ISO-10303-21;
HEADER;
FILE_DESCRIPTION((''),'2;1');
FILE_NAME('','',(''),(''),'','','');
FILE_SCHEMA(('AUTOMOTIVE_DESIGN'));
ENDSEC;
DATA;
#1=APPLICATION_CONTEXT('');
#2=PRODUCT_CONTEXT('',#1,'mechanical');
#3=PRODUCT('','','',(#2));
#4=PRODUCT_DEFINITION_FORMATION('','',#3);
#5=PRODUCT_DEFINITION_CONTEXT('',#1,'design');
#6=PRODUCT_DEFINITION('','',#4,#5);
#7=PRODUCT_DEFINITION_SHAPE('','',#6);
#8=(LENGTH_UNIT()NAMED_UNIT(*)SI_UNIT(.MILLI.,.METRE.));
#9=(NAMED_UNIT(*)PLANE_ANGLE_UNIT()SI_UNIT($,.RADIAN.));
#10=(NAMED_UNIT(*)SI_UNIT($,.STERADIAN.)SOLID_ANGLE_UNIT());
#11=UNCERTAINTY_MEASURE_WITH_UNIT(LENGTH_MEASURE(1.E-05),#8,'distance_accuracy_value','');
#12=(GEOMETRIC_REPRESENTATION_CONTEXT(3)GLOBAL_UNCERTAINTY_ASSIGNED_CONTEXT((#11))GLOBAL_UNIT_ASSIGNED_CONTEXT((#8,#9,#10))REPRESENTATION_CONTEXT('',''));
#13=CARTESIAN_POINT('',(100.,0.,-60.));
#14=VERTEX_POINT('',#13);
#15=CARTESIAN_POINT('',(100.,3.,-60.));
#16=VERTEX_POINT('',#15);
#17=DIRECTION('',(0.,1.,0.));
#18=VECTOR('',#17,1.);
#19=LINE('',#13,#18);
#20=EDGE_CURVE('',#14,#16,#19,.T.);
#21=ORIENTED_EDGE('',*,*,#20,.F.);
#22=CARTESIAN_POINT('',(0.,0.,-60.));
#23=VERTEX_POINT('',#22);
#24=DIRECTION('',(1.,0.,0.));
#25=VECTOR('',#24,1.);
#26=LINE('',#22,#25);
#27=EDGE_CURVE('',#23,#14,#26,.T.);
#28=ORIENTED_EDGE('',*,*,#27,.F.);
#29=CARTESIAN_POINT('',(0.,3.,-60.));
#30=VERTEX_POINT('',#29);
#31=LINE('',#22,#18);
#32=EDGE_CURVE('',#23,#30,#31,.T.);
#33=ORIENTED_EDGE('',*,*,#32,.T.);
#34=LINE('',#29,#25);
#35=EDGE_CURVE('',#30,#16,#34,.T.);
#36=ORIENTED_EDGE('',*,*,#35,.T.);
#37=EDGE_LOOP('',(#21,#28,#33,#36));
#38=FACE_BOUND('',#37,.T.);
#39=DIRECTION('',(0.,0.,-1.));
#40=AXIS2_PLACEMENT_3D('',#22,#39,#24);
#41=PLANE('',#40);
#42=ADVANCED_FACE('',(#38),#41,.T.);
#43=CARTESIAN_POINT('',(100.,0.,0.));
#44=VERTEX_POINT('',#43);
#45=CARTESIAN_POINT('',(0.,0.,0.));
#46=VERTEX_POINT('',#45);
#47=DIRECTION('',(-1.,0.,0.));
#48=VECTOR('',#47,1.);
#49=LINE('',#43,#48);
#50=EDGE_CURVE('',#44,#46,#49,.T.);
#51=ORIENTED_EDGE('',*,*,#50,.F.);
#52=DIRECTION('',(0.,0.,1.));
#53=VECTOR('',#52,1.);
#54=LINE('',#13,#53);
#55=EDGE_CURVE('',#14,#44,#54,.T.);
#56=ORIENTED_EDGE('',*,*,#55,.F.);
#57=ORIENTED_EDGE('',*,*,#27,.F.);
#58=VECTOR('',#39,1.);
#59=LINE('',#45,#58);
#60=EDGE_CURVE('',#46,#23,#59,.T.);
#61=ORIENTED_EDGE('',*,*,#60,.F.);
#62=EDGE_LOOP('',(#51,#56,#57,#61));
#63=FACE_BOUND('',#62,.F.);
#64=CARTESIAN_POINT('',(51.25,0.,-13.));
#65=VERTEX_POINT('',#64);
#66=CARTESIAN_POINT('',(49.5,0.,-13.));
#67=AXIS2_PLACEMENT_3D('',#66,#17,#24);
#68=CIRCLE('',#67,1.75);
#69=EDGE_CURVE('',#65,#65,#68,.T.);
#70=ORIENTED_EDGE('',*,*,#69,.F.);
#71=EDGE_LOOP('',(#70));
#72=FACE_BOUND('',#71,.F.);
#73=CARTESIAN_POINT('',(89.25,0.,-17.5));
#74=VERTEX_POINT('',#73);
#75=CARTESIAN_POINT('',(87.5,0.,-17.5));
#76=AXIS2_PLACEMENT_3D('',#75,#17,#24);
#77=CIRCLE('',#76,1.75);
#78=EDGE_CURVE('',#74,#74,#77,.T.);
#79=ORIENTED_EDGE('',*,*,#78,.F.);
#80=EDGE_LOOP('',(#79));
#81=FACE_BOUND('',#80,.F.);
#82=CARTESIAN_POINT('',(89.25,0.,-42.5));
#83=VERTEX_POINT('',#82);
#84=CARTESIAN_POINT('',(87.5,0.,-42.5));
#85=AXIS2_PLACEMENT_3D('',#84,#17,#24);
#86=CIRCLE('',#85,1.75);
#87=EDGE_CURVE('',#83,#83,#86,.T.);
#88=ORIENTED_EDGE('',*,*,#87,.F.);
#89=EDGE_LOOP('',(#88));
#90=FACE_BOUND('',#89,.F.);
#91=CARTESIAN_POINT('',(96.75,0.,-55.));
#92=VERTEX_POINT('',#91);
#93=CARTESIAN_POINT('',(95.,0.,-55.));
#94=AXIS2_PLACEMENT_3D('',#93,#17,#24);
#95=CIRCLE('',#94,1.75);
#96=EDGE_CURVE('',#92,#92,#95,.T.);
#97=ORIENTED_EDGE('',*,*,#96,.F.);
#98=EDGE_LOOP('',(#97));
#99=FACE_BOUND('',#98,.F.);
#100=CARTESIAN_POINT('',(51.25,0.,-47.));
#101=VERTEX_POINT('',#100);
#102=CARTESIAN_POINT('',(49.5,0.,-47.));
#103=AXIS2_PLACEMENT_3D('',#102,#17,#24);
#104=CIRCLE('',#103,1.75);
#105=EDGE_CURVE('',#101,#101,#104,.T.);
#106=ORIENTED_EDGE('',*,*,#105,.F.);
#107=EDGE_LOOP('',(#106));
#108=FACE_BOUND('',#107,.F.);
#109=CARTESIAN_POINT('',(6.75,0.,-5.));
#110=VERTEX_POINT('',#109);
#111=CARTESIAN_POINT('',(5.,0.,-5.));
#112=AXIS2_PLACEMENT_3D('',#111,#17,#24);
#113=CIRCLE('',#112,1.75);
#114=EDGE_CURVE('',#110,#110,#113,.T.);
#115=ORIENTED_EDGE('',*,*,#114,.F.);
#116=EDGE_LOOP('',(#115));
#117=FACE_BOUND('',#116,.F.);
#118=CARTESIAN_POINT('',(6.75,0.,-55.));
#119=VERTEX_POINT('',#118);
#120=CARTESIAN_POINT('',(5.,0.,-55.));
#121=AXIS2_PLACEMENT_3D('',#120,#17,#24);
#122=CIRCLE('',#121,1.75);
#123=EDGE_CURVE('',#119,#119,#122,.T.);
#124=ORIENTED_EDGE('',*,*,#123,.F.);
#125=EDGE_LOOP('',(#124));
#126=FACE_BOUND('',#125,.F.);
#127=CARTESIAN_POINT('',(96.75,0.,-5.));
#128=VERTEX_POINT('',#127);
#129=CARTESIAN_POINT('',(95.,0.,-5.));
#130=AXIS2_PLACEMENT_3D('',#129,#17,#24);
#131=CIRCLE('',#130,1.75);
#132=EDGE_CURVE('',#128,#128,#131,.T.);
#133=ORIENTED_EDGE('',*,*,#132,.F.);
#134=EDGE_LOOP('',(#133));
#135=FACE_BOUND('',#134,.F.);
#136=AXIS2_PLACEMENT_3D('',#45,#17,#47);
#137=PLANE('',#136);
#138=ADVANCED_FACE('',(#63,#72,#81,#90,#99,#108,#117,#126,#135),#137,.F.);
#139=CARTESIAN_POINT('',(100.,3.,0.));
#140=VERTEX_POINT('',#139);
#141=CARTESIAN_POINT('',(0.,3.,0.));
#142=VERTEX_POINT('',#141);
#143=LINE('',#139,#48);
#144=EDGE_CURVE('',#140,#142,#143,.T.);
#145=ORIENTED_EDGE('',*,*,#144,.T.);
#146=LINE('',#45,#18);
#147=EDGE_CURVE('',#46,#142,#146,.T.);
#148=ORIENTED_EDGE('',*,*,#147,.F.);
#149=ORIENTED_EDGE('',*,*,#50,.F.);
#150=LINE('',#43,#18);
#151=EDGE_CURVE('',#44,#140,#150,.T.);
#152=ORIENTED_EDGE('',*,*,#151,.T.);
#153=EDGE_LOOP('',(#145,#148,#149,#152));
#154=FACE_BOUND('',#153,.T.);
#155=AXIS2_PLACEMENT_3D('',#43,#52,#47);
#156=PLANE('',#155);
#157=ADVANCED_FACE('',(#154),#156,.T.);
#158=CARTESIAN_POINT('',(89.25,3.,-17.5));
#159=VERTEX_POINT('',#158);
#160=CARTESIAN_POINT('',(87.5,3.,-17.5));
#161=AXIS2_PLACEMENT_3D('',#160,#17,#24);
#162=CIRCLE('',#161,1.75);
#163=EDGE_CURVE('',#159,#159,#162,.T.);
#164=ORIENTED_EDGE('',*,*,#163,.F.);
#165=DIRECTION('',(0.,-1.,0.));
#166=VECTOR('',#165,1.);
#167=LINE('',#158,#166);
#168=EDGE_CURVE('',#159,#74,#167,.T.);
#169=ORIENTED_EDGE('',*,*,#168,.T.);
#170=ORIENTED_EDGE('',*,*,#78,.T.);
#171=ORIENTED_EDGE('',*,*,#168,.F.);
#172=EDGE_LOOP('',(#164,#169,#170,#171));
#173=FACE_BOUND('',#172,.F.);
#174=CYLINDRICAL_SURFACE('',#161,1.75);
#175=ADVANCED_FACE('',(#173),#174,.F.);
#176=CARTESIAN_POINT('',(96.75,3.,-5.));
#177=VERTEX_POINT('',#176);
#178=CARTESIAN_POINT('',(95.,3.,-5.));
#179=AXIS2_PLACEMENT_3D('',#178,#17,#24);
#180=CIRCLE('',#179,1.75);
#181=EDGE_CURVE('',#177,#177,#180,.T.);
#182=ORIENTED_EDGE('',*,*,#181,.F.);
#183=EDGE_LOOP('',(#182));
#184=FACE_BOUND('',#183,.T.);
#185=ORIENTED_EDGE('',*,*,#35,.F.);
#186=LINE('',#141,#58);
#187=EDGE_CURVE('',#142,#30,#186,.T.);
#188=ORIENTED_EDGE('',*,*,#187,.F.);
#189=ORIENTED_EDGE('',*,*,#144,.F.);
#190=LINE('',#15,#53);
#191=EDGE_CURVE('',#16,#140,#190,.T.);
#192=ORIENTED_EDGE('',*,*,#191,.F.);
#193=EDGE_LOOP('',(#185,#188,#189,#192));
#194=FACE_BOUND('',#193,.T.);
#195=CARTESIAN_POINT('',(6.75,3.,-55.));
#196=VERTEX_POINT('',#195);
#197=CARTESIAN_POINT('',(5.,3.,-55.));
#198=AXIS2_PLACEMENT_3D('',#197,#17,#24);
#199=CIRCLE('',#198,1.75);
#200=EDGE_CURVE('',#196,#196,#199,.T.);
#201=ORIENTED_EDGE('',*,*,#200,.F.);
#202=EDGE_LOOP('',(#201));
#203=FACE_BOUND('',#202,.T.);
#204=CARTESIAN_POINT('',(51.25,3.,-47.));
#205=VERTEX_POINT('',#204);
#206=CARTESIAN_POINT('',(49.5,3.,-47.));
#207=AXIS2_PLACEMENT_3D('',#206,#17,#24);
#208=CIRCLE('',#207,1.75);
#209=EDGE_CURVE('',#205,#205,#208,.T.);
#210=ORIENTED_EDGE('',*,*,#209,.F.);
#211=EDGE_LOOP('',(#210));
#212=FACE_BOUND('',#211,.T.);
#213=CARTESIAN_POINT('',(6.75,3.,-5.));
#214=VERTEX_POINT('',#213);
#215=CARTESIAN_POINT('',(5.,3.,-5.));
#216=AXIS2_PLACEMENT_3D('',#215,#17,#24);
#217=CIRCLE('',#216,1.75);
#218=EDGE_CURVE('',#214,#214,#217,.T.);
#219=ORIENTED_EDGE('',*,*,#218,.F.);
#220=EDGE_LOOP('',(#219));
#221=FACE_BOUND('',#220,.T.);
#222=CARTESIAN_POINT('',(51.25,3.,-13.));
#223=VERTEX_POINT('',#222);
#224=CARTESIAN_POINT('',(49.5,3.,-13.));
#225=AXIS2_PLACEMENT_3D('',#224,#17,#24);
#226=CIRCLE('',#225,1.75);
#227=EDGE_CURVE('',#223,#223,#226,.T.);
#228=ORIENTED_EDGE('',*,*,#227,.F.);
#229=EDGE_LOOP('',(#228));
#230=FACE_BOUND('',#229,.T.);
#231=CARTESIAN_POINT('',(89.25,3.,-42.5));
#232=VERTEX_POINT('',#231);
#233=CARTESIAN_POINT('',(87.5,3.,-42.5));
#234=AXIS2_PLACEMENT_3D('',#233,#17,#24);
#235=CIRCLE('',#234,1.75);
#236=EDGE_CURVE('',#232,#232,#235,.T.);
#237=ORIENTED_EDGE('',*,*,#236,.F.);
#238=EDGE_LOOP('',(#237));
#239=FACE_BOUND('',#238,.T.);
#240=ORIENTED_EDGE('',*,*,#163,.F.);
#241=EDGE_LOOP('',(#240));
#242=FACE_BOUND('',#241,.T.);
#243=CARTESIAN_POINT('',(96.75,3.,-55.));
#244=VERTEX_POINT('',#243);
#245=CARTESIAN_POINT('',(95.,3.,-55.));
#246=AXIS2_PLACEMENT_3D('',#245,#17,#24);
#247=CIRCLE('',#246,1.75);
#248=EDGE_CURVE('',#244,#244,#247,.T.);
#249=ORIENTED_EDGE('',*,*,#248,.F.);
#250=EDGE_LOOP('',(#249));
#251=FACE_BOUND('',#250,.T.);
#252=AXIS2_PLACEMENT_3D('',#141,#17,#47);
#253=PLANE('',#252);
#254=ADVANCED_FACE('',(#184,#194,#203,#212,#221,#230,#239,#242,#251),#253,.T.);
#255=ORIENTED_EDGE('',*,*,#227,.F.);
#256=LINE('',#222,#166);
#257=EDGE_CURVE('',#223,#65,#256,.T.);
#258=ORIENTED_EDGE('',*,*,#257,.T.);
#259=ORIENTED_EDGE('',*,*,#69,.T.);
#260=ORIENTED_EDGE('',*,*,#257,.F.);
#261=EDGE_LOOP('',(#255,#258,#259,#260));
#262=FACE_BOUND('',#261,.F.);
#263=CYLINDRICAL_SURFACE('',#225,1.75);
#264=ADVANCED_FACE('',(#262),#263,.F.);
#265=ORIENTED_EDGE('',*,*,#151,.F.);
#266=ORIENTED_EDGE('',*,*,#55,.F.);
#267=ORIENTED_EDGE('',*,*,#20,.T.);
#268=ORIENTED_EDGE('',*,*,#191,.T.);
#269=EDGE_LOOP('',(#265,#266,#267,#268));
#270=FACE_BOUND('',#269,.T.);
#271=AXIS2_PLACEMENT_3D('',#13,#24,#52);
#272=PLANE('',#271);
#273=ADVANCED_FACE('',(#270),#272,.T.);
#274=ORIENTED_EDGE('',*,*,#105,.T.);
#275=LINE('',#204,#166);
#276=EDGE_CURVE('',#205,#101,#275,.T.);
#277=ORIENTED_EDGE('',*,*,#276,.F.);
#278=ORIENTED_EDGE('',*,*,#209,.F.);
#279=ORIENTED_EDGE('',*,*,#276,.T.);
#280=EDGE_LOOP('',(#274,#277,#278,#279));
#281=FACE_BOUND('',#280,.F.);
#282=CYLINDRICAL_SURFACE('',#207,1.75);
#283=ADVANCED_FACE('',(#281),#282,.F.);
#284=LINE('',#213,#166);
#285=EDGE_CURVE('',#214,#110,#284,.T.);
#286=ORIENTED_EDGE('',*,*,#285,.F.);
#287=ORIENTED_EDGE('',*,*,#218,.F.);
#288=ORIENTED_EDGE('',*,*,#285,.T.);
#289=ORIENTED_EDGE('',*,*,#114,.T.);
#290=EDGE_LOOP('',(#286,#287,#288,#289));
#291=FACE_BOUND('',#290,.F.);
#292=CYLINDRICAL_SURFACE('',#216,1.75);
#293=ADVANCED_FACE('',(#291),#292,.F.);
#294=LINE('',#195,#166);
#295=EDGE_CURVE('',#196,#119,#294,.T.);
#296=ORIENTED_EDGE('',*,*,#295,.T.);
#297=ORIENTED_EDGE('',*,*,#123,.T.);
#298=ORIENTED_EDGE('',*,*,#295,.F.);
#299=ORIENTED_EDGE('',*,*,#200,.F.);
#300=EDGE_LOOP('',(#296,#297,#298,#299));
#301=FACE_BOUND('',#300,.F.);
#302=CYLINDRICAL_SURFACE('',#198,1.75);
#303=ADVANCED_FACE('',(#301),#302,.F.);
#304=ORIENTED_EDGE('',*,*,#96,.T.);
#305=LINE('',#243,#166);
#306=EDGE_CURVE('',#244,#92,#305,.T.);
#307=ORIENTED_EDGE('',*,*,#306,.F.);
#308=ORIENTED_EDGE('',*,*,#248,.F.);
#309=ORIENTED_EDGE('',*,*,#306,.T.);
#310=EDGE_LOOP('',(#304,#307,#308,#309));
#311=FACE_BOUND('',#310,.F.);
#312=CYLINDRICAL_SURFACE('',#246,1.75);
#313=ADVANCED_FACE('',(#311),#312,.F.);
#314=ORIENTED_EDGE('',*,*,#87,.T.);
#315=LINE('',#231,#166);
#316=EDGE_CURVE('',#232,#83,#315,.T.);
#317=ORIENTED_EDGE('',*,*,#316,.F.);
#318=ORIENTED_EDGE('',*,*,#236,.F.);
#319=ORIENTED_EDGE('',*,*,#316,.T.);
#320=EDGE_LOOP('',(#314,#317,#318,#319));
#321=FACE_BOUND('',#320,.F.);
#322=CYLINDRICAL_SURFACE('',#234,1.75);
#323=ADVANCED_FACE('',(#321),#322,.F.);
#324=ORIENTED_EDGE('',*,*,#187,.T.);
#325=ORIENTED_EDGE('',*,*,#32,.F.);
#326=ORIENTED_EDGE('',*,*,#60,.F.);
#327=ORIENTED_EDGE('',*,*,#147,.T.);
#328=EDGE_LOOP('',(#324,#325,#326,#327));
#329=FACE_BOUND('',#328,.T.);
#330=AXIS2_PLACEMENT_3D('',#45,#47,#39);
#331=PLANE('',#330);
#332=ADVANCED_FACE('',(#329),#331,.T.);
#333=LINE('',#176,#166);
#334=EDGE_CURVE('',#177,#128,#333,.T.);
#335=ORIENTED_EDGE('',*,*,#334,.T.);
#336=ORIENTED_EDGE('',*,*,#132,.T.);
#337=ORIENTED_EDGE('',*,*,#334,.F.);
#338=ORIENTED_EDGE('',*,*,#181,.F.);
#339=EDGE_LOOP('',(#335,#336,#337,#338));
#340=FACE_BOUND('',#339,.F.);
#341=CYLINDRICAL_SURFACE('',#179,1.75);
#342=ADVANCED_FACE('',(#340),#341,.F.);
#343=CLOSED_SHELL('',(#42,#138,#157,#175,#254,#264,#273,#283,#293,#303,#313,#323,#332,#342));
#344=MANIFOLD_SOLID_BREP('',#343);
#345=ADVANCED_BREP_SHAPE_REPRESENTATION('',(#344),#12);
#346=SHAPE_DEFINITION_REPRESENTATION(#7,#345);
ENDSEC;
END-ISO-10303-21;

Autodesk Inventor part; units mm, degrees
ref_plane "YZ Plane" through (0, 0, 0) normal (1, 0, 0) x (0, 1, 0)
ref_plane "XZ Plane" through (0, 0, 0) normal (0, 1, 0) x (-1, 0, 0)
ref_plane "XY Plane" through (0, 0, 0) normal (0, 0, 1) x (1, 0, 0)
sketch "Sketch1" plane through (0, 0, 0) normal (0, 1, 0) x (-1, 0, 0)
  line L0 (0, -60) -> (-100, -60)
  line L1 (-100, -60) -> (-100, 0)
  line L2 (-100, 0) -> (0, 0)
  line L3 (0, 0) -> (0, -60)
  dimension "d0" = 100
  dimension "d1" = 60
extrude "Extrusion1" add sketch "Sketch1" along normal blind 3
sketch "Sketch2" plane through (0, 3, 0) normal (0, 1, 0) x (1, 0, 0)
  circle A0 centre (5, 55) radius 1.75
  line L0 (100, 60) -> (0, 60) projected
  line L1 (0, 60) -> (0, 0) projected
  circle A1 centre (95, 55) radius 1.75
  circle A2 centre (5, 5) radius 1.75
  circle A3 centre (95, 5) radius 1.75
  circle A4 centre (87.5, 42.5) radius 1.75
  circle A5 centre (87.5, 17.5) radius 1.75
  line L2 (100, 0) -> (100, 60) projected
  circle A6 centre (49.5, 47) radius 1.75
  circle A7 centre (49.5, 13) radius 1.75
  dimension "d4" = 3.5
  dimension "d5" = 5
  dimension "d6" = 5
  dimension "d9" = 90
  dimension "d12" = 50
  dimension "d15" = 3.5
  dimension "d16" = 3.5
  dimension "d17" = 25
  dimension "d18" = 0
  dimension "d19" = 12.5
  dimension "d20" = 3.5
  dimension "d21" = 3.5
  dimension "d22" = 34
  dimension "d23" = 0
  dimension "d24" = 38
  dimension "d25" = 17.5
  dimension "d26" = 13
extrude "Extrusion2" cut sketch "Sketch2" against normal through all
properties part number "rfid_cover"
